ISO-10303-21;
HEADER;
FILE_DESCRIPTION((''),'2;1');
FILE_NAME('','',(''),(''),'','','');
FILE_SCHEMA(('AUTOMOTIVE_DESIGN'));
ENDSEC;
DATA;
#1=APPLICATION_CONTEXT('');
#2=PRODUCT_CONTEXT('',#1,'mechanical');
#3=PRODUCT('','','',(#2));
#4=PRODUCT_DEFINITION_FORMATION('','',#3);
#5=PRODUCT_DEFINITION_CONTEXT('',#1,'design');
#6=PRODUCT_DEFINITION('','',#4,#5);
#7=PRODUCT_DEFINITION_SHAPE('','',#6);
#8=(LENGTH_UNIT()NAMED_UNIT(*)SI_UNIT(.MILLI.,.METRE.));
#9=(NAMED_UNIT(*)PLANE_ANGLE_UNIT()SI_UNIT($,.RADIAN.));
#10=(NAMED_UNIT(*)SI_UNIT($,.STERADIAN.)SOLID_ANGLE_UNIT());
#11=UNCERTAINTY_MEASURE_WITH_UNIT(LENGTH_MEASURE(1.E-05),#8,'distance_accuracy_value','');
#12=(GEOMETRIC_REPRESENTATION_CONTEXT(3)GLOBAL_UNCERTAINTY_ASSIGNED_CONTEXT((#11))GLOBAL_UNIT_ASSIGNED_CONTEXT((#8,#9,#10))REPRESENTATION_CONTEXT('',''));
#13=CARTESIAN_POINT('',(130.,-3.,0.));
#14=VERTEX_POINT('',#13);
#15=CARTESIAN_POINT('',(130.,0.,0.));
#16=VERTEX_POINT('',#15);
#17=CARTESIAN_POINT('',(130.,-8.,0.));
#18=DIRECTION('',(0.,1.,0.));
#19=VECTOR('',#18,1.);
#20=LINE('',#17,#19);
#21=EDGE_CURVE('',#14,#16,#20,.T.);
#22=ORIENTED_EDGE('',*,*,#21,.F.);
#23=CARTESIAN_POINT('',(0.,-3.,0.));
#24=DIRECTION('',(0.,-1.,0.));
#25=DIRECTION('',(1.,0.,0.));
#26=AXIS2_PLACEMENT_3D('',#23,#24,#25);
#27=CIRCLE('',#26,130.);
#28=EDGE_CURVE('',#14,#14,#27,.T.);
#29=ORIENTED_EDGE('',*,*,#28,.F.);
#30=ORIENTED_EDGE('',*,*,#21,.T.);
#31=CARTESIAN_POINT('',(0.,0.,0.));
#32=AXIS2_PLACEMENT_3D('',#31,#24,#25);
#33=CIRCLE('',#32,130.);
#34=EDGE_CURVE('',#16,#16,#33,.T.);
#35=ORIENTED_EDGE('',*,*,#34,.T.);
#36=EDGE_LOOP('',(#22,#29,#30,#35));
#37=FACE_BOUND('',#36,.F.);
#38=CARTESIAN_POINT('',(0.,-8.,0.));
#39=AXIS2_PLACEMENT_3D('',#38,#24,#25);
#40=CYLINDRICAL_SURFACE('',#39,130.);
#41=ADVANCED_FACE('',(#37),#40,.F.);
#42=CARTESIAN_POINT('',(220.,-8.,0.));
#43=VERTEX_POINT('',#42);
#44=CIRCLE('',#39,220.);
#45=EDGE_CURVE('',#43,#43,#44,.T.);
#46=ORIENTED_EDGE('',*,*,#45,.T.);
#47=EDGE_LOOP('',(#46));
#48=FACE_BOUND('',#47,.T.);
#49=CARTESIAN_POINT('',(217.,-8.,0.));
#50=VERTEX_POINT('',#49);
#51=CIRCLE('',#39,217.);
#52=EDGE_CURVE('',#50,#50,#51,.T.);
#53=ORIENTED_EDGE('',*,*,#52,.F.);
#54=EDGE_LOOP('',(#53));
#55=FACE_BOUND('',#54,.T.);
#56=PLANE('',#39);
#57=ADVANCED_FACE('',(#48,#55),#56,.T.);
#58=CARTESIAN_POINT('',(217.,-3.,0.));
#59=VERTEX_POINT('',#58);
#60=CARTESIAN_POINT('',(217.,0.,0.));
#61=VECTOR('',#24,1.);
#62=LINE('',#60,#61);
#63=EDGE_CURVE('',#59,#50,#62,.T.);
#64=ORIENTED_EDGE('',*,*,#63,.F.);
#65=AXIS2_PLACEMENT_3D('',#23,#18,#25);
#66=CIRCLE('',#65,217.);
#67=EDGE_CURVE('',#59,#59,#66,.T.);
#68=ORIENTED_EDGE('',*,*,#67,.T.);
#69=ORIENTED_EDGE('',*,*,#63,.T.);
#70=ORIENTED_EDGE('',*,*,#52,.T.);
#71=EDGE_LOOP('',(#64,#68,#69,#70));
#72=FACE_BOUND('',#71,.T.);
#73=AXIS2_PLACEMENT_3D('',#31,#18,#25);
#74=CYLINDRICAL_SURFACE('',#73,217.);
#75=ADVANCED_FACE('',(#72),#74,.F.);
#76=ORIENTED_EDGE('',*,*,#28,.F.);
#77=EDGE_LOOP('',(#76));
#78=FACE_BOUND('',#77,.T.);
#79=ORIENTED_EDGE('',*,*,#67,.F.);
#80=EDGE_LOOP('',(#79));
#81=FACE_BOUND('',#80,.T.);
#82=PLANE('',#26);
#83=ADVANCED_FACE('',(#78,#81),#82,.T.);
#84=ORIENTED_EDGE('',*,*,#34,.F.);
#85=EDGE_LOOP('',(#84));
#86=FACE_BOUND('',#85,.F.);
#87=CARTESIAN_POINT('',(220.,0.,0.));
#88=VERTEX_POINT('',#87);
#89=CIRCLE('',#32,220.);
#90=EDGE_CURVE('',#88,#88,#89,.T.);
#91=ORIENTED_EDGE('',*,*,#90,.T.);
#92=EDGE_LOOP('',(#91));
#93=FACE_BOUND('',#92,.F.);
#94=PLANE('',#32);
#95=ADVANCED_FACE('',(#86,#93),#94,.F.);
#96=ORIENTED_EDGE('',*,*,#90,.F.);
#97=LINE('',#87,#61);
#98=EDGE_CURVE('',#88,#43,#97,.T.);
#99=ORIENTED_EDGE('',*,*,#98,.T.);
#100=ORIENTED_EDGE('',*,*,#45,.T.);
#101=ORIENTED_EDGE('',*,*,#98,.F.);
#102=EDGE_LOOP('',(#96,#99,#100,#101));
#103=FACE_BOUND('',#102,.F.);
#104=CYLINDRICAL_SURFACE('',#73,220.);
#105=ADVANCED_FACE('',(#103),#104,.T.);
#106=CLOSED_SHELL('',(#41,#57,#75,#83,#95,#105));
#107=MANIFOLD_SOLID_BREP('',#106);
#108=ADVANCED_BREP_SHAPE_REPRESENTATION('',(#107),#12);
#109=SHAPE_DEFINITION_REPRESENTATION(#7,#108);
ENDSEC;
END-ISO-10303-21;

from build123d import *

# Parameters (mm, degrees)
F0_R     = 220
F1_DEPTH = 8
F2_T     = -3
F3_R     = 130
F4_DEPTH = 8.001


with BuildPart() as f1:
    # F0 (on Front) → F1 (new body)
    with BuildSketch(Plane.XZ):
        Circle(F0_R)
    extrude(amount=F1_DEPTH)

    # F2
    f2_openings = [f1.faces().sort_by_distance(p)[0] for p in [
        (0, -8, 0),
    ]]
    offset(amount=F2_T, openings=f2_openings)

    # F3 (on face) → F4 (cut, through all)
    with BuildSketch(Plane.XZ.offset(8)):
        Circle(F3_R)
    extrude(amount=-F4_DEPTH, mode=Mode.SUBTRACT)


solid = f1.part
